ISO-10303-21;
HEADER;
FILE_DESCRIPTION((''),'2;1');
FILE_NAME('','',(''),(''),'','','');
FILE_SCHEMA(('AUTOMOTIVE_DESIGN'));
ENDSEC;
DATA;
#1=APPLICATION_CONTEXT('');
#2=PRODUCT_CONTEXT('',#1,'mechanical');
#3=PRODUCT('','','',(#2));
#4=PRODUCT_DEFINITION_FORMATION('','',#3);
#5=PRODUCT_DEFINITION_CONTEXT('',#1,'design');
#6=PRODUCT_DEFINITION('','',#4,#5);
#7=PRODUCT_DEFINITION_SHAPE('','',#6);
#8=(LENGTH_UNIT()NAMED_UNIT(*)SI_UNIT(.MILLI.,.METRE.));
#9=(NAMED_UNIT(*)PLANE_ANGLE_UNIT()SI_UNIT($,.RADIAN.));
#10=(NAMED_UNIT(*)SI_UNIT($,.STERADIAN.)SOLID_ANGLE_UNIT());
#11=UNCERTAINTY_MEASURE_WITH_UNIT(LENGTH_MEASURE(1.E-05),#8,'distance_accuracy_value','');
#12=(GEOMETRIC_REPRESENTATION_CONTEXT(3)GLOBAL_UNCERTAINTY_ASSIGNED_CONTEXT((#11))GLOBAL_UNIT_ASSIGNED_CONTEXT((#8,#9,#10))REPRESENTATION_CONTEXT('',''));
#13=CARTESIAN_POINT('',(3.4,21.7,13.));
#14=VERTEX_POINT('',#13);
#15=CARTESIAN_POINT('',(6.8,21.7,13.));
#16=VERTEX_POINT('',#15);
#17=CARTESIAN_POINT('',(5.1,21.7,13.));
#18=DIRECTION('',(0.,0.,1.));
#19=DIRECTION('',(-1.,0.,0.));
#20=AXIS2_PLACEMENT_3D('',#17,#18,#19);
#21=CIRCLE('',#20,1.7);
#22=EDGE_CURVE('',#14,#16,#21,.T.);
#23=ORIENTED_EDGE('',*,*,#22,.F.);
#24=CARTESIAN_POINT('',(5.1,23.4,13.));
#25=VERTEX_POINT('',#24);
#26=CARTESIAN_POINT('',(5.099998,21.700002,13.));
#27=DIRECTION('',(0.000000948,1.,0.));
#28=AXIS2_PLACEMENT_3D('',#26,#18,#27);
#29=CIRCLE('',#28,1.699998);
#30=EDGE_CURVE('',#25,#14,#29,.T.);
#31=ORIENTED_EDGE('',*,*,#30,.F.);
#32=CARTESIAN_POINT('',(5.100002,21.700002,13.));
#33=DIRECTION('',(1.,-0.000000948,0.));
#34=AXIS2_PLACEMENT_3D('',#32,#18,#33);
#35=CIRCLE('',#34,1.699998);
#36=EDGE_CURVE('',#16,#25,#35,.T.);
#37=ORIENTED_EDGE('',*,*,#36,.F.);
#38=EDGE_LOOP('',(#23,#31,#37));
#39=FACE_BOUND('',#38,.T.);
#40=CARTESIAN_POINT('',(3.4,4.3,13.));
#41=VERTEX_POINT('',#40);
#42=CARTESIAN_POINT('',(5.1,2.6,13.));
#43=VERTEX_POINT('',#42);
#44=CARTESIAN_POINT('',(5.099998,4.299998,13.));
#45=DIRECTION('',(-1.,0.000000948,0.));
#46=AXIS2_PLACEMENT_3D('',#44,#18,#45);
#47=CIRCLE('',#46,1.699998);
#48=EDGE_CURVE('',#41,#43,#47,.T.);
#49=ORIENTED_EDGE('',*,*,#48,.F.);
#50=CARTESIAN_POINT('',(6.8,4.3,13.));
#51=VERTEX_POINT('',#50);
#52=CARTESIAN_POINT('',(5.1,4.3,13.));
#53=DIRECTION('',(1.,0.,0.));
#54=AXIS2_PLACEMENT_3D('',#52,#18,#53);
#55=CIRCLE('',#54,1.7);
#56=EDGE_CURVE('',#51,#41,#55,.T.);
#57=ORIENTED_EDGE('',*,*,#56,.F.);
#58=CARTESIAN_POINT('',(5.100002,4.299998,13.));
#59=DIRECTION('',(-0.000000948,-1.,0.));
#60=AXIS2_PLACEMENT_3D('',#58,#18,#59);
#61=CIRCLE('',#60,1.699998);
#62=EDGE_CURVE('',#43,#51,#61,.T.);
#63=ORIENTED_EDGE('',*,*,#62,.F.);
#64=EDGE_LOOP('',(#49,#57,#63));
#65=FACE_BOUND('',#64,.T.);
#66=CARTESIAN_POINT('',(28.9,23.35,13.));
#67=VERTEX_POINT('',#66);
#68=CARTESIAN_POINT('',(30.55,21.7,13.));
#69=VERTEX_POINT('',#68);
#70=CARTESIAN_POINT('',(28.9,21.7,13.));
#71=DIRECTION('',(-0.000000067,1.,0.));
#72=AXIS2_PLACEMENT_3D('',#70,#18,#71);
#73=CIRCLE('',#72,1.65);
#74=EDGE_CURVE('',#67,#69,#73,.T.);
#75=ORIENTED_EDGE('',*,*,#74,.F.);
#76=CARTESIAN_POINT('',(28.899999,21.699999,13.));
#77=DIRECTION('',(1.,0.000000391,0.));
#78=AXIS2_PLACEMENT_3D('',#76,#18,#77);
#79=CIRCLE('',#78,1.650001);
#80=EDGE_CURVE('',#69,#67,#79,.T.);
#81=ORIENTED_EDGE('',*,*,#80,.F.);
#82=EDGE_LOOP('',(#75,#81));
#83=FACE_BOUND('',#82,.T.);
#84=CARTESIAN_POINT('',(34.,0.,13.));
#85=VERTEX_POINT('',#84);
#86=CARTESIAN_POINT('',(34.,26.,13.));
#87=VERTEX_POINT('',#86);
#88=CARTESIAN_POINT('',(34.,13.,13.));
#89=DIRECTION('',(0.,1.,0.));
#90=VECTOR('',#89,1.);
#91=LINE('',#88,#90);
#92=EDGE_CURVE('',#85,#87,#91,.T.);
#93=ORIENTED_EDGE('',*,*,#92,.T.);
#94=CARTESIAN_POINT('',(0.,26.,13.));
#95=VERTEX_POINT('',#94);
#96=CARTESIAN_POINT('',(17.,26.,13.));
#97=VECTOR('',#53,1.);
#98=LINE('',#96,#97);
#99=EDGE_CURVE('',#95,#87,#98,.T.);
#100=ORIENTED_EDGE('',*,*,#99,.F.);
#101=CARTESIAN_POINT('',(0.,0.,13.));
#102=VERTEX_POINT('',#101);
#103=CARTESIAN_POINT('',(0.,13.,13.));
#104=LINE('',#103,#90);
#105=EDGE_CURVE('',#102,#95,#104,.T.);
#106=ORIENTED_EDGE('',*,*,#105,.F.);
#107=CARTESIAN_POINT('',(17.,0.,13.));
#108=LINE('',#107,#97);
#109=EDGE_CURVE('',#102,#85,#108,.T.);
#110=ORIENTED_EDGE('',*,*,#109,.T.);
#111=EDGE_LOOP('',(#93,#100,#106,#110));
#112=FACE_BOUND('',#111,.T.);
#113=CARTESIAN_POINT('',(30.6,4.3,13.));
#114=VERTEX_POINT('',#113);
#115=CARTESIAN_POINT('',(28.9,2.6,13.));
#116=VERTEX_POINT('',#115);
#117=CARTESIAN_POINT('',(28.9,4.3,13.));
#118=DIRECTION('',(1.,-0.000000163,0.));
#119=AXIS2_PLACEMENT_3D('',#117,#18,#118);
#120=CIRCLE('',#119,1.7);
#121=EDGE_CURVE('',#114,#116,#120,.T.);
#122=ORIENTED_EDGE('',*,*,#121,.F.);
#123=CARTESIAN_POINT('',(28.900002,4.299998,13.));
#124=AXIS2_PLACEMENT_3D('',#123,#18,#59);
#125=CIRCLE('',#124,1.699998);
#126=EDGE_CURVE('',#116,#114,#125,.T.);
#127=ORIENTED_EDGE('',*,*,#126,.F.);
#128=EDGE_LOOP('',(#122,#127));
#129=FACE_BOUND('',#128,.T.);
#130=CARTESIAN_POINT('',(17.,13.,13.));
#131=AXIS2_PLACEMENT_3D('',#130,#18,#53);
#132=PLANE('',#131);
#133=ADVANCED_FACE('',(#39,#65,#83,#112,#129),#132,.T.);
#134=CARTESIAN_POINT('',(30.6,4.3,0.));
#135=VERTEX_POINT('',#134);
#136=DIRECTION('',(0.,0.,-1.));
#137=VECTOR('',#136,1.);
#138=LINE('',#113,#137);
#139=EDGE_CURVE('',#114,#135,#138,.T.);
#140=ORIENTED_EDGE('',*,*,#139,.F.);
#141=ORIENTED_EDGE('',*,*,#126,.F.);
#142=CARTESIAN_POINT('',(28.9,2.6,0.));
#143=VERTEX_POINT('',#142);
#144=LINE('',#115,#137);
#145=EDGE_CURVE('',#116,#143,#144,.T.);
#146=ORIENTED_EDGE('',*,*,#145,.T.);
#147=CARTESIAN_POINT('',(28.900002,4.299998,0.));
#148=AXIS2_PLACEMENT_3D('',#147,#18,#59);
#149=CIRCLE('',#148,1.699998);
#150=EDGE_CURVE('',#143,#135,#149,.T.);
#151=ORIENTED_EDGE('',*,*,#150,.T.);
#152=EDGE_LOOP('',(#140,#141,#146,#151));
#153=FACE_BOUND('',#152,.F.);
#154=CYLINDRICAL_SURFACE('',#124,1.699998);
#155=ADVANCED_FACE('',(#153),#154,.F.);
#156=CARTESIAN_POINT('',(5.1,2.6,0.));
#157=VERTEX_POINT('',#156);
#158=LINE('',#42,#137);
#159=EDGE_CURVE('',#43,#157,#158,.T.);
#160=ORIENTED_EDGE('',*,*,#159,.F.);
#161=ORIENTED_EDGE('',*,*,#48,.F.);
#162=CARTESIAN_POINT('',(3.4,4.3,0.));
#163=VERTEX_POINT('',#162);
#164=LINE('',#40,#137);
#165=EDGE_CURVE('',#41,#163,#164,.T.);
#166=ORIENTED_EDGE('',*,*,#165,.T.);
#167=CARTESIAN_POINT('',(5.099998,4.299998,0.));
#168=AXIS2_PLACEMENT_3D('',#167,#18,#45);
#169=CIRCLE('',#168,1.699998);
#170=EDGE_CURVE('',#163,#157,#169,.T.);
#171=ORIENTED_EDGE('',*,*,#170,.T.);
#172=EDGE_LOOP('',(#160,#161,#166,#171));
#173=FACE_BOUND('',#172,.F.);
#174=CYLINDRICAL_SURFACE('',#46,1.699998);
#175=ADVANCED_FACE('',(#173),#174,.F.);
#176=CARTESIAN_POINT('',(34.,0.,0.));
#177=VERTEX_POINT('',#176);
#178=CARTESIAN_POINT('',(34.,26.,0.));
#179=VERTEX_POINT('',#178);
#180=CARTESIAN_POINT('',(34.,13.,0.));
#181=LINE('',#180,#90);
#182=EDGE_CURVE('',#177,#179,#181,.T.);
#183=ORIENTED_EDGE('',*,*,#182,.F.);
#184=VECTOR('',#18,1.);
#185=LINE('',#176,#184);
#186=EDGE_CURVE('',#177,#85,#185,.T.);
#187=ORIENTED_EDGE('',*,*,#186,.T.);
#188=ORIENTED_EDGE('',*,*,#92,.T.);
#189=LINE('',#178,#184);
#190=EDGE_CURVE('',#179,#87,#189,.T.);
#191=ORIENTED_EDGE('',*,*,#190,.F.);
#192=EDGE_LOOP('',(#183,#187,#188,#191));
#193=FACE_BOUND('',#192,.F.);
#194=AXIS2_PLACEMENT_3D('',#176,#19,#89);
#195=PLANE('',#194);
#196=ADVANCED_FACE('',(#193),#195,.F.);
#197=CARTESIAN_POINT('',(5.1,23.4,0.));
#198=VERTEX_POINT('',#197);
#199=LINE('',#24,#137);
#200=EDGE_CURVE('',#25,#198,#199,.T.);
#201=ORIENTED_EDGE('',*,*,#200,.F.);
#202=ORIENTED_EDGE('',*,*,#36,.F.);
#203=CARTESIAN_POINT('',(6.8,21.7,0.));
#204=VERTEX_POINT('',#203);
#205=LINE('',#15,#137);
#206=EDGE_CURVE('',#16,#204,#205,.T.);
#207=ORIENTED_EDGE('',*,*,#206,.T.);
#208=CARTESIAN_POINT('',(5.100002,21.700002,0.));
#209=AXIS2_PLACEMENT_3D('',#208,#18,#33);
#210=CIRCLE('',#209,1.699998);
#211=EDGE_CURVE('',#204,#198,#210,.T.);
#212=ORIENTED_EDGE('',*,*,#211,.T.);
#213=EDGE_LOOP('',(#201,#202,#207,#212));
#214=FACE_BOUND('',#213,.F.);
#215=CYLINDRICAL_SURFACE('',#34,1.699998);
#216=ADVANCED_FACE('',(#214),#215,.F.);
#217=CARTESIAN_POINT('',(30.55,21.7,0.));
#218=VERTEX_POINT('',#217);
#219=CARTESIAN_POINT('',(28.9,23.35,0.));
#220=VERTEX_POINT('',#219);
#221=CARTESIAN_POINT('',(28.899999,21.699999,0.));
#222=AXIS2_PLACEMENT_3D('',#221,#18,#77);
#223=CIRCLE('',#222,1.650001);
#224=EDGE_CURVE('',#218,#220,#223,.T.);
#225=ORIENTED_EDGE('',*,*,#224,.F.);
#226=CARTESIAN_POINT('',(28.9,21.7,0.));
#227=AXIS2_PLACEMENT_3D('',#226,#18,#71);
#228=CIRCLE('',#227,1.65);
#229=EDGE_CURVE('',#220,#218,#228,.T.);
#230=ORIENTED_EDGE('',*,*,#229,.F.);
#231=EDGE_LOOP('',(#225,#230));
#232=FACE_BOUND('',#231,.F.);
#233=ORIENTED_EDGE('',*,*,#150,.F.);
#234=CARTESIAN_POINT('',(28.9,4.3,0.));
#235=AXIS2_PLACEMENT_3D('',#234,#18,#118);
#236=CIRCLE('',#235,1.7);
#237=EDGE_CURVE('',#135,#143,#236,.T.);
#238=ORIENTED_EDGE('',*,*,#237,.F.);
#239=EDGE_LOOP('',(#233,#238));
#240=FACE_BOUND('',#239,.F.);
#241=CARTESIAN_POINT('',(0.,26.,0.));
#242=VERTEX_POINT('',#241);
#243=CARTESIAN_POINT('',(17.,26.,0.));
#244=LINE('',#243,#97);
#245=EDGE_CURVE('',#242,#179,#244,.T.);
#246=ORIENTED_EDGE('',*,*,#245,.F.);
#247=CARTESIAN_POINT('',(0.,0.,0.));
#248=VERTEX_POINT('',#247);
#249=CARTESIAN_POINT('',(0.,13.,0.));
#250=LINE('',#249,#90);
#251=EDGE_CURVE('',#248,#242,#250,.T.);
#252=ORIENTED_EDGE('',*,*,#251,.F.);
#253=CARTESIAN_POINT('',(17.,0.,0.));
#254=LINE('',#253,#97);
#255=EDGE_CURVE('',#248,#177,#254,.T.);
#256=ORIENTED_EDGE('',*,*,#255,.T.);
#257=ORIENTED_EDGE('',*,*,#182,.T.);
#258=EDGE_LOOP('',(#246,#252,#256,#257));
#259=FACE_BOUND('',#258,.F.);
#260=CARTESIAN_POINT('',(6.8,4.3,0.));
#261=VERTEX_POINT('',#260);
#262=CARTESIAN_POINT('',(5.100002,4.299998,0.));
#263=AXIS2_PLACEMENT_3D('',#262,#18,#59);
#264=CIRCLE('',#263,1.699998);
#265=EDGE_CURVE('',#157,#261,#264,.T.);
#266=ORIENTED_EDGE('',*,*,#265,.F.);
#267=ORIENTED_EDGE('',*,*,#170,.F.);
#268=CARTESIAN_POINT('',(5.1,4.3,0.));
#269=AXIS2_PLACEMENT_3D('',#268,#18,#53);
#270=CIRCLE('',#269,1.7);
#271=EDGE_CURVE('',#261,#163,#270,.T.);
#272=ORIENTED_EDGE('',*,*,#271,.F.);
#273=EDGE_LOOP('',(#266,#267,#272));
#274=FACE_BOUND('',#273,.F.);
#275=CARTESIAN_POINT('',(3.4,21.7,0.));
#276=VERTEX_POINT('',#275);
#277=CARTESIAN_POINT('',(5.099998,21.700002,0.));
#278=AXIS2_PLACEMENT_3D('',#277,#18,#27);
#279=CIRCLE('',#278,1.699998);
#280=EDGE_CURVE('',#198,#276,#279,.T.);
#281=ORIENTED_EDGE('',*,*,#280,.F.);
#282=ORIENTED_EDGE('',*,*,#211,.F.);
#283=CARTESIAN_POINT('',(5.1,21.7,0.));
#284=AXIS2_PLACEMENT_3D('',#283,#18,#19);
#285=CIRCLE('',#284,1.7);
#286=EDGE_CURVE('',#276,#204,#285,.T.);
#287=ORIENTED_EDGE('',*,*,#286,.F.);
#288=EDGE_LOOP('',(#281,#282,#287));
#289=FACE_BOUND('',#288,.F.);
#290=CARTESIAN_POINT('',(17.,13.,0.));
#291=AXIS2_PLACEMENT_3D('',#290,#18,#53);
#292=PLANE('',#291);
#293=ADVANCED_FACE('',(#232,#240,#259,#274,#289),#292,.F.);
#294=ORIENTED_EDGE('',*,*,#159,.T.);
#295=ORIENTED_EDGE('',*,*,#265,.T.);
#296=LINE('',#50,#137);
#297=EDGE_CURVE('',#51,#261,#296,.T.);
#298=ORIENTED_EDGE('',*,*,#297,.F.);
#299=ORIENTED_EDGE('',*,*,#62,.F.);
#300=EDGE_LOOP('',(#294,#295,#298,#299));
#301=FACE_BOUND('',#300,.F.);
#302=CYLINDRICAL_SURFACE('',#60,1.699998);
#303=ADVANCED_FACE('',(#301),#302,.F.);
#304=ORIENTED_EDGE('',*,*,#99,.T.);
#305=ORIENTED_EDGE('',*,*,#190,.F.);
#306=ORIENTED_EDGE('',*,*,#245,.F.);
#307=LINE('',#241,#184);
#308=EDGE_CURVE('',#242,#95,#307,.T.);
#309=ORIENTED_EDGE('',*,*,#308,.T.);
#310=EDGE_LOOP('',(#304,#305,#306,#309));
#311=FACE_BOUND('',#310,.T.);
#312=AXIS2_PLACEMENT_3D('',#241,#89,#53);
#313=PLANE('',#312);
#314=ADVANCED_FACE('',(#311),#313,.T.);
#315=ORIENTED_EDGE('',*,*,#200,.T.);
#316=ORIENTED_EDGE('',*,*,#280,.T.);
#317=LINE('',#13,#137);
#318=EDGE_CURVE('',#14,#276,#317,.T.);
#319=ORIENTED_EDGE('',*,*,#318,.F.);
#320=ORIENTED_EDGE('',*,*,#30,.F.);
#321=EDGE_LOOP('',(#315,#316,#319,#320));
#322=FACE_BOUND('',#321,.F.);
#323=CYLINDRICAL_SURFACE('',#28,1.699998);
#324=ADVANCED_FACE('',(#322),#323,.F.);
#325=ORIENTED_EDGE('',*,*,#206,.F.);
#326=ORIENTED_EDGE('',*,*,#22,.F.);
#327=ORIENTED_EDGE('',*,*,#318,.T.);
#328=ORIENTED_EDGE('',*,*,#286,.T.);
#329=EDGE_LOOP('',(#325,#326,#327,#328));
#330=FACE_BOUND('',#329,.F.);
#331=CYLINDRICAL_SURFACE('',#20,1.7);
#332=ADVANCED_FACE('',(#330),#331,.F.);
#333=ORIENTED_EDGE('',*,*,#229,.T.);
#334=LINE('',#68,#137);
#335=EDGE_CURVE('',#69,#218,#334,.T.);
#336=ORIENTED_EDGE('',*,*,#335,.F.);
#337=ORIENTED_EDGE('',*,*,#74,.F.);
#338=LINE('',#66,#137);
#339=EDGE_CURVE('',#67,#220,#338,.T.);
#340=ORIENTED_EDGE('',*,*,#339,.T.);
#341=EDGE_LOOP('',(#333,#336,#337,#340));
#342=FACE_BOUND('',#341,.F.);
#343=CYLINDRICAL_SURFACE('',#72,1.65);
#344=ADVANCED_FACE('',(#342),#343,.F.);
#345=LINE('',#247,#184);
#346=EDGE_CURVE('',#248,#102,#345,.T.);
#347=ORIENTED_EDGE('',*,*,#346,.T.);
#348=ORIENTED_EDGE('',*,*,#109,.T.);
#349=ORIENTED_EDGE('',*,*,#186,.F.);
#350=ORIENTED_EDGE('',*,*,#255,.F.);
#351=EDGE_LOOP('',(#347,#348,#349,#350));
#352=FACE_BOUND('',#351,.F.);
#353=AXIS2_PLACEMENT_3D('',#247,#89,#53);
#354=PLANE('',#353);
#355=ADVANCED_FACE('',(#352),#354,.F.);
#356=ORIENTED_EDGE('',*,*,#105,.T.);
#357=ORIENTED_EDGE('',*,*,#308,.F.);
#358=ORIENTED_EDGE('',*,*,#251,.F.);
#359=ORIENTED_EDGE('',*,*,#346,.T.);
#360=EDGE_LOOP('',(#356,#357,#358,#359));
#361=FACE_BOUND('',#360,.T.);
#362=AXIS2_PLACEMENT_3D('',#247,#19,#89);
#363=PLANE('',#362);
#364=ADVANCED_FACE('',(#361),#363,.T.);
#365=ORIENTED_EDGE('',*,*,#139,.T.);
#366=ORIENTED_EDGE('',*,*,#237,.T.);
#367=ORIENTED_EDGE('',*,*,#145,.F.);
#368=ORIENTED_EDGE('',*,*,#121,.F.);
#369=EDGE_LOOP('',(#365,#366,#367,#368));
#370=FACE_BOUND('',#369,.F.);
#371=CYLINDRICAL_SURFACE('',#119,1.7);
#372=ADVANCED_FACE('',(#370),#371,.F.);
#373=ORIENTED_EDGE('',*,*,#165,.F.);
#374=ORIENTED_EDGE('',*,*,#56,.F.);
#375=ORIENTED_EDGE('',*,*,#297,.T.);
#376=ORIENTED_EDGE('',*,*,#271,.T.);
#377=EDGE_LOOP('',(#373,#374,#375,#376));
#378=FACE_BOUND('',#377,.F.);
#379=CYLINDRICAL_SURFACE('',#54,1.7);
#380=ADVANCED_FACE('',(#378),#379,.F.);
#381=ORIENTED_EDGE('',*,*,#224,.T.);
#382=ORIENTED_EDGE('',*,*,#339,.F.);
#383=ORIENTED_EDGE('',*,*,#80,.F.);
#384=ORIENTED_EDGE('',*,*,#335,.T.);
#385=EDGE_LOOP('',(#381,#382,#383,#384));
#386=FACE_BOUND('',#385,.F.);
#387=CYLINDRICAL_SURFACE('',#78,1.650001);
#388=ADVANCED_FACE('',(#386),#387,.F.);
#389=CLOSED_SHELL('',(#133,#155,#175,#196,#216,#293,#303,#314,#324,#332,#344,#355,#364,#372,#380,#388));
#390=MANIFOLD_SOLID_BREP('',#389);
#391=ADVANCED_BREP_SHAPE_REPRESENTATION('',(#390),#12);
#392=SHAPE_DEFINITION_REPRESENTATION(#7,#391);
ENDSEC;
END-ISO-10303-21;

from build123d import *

# Parameters (mm, degrees)
F0_W     = 34
F0_H     = 26
F1_DEPTH = 13
F3_DEPTH = 25


with BuildPart() as f1:
    # F0 (on Top) → F1 (new body)
    with BuildSketch(Plane.XY):
        with Locations((17, 13)):
            Rectangle(F0_W, F0_H)
    extrude(amount=F1_DEPTH)

    # F2 (on face) → F3 (cut)
    with BuildSketch(Plane.XY.offset(13)):
        with BuildLine():
            Line((5.1, 21.7), (3.4, 21.7))
            ThreePointArc((3.4, 21.7), (5.1, 20), (6.8, 21.7))
            ThreePointArc((6.8, 21.7), (6.302082, 22.902082), (5.1, 23.4))
            Line((5.1, 23.4), (5.1, 21.7))
        make_face()
        with BuildLine():
            ThreePointArc((28.9, 23.35), (27.733274, 20.533274), (30.55, 21.7))
            Line((30.55, 21.7), (28.9, 21.7))
            Line((28.9, 21.7), (28.9, 23.35))
        make_face()
        with BuildLine():
            ThreePointArc((30.6, 4.3), (27.697918, 5.502082), (28.9, 2.6))
            Line((28.9, 2.6), (28.9, 4.3))
            Line((28.9, 4.3), (30.6, 4.3))
        make_face()
        with BuildLine():
            Line((5.1, 4.3), (5.1, 2.6))
            ThreePointArc((5.1, 2.6), (6.302082, 3.097918), (6.8, 4.3))
            ThreePointArc((6.8, 4.3), (5.1, 6), (3.4, 4.3))
            Line((3.4, 4.3), (5.1, 4.3))
        make_face()
        with BuildLine():
            ThreePointArc((3.4, 4.3), (3.897918, 3.097918), (5.1, 2.6))
            Line((5.1, 2.6), (5.1, 4.3))
            Line((5.1, 4.3), (3.4, 4.3))
        make_face()
        with BuildLine():
            Line((28.9, 4.3), (28.9, 2.6))
            ThreePointArc((28.9, 2.6), (30.102082, 3.097918), (30.6, 4.3))
            Line((30.6, 4.3), (28.9, 4.3))
        make_face()
        with BuildLine():
            Line((28.9, 21.7), (30.55, 21.7))
            ThreePointArc((30.55, 21.7), (30.066726, 22.866726), (28.9, 23.35))
            Line((28.9, 23.35), (28.9, 21.7))
        make_face()
        with BuildLine():
            ThreePointArc((5.1, 23.4), (3.897918, 22.902082), (3.4, 21.7))
            Line((3.4, 21.7), (5.1, 21.7))
            Line((5.1, 21.7), (5.1, 23.4))
        make_face()
    extrude(amount=-F3_DEPTH, mode=Mode.SUBTRACT)


solid = f1.part
